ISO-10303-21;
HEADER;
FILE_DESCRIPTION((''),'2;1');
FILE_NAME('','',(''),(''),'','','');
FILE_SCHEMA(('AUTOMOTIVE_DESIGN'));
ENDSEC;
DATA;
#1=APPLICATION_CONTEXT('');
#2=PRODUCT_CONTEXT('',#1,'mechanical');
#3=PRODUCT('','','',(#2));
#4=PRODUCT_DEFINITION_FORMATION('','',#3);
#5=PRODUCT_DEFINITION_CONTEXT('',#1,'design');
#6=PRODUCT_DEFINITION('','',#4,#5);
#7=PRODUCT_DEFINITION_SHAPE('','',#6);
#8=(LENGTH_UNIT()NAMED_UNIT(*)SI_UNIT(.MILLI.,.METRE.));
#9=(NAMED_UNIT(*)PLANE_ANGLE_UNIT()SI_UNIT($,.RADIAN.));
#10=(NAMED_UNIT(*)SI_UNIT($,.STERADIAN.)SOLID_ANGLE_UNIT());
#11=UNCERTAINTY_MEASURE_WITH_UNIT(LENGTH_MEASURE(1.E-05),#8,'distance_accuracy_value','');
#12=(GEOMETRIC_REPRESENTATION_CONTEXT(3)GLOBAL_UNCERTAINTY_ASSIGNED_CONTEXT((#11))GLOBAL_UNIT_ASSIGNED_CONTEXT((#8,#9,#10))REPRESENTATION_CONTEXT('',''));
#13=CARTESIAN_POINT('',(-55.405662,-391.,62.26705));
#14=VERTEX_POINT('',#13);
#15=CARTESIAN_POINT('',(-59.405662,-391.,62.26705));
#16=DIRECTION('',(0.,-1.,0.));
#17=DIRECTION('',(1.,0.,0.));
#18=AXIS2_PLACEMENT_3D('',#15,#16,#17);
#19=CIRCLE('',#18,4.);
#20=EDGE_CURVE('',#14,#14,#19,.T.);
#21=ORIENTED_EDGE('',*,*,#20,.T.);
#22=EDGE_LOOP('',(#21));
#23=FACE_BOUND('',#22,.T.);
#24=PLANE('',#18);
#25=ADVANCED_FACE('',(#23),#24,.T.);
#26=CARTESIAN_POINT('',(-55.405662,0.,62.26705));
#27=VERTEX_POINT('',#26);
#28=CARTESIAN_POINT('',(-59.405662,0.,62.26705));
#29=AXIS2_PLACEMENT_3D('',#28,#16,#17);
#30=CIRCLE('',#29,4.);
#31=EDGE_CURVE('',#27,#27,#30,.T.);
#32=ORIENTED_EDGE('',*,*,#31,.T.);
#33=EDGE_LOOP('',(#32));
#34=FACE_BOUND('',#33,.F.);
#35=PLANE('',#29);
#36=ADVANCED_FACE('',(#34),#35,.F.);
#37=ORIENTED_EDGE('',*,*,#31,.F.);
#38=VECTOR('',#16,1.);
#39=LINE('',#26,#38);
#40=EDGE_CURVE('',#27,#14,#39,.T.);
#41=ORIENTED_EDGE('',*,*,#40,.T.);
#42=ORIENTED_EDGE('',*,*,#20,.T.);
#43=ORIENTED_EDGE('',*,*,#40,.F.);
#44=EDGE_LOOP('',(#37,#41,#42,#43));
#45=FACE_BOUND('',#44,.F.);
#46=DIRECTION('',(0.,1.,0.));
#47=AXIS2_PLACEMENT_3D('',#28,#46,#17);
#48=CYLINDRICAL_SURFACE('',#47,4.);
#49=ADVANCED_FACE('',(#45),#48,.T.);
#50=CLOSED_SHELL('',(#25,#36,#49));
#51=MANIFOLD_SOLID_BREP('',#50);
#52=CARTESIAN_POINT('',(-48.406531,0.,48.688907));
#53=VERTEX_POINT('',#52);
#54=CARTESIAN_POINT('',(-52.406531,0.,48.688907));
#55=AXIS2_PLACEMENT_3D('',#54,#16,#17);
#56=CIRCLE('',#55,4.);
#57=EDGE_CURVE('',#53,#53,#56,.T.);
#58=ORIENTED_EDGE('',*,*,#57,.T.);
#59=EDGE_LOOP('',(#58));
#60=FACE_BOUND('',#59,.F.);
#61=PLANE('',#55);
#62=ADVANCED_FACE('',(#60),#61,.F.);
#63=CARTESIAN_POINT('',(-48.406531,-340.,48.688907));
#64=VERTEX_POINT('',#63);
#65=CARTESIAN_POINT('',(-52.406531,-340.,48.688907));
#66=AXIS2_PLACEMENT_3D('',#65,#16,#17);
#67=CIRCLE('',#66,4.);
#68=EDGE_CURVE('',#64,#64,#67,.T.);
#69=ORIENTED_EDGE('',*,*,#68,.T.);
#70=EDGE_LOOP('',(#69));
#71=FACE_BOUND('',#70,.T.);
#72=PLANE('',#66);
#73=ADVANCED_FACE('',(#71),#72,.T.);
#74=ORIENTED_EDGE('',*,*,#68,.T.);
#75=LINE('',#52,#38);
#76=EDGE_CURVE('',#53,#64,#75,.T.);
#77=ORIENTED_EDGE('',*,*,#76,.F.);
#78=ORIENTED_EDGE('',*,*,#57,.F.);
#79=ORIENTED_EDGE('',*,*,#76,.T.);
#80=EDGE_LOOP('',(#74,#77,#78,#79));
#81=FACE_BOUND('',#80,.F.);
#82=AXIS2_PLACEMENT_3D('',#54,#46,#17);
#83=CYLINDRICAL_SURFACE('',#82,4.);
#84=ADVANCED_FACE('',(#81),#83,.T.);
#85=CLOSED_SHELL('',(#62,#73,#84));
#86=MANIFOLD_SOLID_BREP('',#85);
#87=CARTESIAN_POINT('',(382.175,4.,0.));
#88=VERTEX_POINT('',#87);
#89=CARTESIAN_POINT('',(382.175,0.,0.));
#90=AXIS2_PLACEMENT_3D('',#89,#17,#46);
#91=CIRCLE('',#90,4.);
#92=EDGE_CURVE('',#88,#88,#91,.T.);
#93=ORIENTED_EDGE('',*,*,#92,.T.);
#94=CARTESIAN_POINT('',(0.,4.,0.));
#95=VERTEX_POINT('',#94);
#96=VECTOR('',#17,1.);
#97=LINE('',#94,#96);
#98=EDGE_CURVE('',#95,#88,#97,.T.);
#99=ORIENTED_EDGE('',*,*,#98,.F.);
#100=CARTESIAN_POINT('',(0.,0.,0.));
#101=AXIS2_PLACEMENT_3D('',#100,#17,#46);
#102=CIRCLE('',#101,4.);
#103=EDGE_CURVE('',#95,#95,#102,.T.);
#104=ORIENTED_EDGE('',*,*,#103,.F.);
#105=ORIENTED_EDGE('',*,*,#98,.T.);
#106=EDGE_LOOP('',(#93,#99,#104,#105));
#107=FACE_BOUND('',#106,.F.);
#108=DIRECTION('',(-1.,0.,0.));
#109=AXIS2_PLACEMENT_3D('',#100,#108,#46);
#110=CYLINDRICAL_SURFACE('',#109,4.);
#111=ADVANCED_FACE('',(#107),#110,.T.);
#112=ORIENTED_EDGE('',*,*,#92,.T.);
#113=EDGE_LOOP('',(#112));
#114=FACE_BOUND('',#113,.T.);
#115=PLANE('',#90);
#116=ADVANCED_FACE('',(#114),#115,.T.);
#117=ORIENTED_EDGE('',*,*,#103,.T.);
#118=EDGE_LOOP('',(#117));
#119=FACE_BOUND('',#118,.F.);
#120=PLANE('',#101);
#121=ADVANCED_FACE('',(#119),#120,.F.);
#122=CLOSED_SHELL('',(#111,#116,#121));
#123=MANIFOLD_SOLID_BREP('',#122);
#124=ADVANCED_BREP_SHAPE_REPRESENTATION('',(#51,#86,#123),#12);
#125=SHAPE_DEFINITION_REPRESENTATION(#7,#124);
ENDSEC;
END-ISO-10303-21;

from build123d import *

# Parameters (mm, degrees)
F0_R     = 4
F4_DEPTH = 382.175
F1_R     = 4
F5_DEPTH = 391
F6_R     = 4
F7_DEPTH = 340


with BuildPart() as f4:
    # F0 (on Right) → F4 (new body)
    with BuildSketch(Plane.YZ):
        Circle(F0_R)
    extrude(amount=F4_DEPTH)


with BuildPart() as f5:
    # F1 (on Front) → F5 (new body)
    with BuildSketch(Plane.XZ):
        with Locations((-59.4056621194, 62.2670501471)):
            Circle(F1_R)
    extrude(amount=F5_DEPTH)


with BuildPart() as f7:
    # F6 (on Front) → F7 (new body)
    with BuildSketch(Plane.XZ):
        with Locations((-52.4065308273, 48.6889071763)):
            Circle(F6_R)
    extrude(amount=F7_DEPTH)


solid = Compound([f4.part, f5.part, f7.part])
